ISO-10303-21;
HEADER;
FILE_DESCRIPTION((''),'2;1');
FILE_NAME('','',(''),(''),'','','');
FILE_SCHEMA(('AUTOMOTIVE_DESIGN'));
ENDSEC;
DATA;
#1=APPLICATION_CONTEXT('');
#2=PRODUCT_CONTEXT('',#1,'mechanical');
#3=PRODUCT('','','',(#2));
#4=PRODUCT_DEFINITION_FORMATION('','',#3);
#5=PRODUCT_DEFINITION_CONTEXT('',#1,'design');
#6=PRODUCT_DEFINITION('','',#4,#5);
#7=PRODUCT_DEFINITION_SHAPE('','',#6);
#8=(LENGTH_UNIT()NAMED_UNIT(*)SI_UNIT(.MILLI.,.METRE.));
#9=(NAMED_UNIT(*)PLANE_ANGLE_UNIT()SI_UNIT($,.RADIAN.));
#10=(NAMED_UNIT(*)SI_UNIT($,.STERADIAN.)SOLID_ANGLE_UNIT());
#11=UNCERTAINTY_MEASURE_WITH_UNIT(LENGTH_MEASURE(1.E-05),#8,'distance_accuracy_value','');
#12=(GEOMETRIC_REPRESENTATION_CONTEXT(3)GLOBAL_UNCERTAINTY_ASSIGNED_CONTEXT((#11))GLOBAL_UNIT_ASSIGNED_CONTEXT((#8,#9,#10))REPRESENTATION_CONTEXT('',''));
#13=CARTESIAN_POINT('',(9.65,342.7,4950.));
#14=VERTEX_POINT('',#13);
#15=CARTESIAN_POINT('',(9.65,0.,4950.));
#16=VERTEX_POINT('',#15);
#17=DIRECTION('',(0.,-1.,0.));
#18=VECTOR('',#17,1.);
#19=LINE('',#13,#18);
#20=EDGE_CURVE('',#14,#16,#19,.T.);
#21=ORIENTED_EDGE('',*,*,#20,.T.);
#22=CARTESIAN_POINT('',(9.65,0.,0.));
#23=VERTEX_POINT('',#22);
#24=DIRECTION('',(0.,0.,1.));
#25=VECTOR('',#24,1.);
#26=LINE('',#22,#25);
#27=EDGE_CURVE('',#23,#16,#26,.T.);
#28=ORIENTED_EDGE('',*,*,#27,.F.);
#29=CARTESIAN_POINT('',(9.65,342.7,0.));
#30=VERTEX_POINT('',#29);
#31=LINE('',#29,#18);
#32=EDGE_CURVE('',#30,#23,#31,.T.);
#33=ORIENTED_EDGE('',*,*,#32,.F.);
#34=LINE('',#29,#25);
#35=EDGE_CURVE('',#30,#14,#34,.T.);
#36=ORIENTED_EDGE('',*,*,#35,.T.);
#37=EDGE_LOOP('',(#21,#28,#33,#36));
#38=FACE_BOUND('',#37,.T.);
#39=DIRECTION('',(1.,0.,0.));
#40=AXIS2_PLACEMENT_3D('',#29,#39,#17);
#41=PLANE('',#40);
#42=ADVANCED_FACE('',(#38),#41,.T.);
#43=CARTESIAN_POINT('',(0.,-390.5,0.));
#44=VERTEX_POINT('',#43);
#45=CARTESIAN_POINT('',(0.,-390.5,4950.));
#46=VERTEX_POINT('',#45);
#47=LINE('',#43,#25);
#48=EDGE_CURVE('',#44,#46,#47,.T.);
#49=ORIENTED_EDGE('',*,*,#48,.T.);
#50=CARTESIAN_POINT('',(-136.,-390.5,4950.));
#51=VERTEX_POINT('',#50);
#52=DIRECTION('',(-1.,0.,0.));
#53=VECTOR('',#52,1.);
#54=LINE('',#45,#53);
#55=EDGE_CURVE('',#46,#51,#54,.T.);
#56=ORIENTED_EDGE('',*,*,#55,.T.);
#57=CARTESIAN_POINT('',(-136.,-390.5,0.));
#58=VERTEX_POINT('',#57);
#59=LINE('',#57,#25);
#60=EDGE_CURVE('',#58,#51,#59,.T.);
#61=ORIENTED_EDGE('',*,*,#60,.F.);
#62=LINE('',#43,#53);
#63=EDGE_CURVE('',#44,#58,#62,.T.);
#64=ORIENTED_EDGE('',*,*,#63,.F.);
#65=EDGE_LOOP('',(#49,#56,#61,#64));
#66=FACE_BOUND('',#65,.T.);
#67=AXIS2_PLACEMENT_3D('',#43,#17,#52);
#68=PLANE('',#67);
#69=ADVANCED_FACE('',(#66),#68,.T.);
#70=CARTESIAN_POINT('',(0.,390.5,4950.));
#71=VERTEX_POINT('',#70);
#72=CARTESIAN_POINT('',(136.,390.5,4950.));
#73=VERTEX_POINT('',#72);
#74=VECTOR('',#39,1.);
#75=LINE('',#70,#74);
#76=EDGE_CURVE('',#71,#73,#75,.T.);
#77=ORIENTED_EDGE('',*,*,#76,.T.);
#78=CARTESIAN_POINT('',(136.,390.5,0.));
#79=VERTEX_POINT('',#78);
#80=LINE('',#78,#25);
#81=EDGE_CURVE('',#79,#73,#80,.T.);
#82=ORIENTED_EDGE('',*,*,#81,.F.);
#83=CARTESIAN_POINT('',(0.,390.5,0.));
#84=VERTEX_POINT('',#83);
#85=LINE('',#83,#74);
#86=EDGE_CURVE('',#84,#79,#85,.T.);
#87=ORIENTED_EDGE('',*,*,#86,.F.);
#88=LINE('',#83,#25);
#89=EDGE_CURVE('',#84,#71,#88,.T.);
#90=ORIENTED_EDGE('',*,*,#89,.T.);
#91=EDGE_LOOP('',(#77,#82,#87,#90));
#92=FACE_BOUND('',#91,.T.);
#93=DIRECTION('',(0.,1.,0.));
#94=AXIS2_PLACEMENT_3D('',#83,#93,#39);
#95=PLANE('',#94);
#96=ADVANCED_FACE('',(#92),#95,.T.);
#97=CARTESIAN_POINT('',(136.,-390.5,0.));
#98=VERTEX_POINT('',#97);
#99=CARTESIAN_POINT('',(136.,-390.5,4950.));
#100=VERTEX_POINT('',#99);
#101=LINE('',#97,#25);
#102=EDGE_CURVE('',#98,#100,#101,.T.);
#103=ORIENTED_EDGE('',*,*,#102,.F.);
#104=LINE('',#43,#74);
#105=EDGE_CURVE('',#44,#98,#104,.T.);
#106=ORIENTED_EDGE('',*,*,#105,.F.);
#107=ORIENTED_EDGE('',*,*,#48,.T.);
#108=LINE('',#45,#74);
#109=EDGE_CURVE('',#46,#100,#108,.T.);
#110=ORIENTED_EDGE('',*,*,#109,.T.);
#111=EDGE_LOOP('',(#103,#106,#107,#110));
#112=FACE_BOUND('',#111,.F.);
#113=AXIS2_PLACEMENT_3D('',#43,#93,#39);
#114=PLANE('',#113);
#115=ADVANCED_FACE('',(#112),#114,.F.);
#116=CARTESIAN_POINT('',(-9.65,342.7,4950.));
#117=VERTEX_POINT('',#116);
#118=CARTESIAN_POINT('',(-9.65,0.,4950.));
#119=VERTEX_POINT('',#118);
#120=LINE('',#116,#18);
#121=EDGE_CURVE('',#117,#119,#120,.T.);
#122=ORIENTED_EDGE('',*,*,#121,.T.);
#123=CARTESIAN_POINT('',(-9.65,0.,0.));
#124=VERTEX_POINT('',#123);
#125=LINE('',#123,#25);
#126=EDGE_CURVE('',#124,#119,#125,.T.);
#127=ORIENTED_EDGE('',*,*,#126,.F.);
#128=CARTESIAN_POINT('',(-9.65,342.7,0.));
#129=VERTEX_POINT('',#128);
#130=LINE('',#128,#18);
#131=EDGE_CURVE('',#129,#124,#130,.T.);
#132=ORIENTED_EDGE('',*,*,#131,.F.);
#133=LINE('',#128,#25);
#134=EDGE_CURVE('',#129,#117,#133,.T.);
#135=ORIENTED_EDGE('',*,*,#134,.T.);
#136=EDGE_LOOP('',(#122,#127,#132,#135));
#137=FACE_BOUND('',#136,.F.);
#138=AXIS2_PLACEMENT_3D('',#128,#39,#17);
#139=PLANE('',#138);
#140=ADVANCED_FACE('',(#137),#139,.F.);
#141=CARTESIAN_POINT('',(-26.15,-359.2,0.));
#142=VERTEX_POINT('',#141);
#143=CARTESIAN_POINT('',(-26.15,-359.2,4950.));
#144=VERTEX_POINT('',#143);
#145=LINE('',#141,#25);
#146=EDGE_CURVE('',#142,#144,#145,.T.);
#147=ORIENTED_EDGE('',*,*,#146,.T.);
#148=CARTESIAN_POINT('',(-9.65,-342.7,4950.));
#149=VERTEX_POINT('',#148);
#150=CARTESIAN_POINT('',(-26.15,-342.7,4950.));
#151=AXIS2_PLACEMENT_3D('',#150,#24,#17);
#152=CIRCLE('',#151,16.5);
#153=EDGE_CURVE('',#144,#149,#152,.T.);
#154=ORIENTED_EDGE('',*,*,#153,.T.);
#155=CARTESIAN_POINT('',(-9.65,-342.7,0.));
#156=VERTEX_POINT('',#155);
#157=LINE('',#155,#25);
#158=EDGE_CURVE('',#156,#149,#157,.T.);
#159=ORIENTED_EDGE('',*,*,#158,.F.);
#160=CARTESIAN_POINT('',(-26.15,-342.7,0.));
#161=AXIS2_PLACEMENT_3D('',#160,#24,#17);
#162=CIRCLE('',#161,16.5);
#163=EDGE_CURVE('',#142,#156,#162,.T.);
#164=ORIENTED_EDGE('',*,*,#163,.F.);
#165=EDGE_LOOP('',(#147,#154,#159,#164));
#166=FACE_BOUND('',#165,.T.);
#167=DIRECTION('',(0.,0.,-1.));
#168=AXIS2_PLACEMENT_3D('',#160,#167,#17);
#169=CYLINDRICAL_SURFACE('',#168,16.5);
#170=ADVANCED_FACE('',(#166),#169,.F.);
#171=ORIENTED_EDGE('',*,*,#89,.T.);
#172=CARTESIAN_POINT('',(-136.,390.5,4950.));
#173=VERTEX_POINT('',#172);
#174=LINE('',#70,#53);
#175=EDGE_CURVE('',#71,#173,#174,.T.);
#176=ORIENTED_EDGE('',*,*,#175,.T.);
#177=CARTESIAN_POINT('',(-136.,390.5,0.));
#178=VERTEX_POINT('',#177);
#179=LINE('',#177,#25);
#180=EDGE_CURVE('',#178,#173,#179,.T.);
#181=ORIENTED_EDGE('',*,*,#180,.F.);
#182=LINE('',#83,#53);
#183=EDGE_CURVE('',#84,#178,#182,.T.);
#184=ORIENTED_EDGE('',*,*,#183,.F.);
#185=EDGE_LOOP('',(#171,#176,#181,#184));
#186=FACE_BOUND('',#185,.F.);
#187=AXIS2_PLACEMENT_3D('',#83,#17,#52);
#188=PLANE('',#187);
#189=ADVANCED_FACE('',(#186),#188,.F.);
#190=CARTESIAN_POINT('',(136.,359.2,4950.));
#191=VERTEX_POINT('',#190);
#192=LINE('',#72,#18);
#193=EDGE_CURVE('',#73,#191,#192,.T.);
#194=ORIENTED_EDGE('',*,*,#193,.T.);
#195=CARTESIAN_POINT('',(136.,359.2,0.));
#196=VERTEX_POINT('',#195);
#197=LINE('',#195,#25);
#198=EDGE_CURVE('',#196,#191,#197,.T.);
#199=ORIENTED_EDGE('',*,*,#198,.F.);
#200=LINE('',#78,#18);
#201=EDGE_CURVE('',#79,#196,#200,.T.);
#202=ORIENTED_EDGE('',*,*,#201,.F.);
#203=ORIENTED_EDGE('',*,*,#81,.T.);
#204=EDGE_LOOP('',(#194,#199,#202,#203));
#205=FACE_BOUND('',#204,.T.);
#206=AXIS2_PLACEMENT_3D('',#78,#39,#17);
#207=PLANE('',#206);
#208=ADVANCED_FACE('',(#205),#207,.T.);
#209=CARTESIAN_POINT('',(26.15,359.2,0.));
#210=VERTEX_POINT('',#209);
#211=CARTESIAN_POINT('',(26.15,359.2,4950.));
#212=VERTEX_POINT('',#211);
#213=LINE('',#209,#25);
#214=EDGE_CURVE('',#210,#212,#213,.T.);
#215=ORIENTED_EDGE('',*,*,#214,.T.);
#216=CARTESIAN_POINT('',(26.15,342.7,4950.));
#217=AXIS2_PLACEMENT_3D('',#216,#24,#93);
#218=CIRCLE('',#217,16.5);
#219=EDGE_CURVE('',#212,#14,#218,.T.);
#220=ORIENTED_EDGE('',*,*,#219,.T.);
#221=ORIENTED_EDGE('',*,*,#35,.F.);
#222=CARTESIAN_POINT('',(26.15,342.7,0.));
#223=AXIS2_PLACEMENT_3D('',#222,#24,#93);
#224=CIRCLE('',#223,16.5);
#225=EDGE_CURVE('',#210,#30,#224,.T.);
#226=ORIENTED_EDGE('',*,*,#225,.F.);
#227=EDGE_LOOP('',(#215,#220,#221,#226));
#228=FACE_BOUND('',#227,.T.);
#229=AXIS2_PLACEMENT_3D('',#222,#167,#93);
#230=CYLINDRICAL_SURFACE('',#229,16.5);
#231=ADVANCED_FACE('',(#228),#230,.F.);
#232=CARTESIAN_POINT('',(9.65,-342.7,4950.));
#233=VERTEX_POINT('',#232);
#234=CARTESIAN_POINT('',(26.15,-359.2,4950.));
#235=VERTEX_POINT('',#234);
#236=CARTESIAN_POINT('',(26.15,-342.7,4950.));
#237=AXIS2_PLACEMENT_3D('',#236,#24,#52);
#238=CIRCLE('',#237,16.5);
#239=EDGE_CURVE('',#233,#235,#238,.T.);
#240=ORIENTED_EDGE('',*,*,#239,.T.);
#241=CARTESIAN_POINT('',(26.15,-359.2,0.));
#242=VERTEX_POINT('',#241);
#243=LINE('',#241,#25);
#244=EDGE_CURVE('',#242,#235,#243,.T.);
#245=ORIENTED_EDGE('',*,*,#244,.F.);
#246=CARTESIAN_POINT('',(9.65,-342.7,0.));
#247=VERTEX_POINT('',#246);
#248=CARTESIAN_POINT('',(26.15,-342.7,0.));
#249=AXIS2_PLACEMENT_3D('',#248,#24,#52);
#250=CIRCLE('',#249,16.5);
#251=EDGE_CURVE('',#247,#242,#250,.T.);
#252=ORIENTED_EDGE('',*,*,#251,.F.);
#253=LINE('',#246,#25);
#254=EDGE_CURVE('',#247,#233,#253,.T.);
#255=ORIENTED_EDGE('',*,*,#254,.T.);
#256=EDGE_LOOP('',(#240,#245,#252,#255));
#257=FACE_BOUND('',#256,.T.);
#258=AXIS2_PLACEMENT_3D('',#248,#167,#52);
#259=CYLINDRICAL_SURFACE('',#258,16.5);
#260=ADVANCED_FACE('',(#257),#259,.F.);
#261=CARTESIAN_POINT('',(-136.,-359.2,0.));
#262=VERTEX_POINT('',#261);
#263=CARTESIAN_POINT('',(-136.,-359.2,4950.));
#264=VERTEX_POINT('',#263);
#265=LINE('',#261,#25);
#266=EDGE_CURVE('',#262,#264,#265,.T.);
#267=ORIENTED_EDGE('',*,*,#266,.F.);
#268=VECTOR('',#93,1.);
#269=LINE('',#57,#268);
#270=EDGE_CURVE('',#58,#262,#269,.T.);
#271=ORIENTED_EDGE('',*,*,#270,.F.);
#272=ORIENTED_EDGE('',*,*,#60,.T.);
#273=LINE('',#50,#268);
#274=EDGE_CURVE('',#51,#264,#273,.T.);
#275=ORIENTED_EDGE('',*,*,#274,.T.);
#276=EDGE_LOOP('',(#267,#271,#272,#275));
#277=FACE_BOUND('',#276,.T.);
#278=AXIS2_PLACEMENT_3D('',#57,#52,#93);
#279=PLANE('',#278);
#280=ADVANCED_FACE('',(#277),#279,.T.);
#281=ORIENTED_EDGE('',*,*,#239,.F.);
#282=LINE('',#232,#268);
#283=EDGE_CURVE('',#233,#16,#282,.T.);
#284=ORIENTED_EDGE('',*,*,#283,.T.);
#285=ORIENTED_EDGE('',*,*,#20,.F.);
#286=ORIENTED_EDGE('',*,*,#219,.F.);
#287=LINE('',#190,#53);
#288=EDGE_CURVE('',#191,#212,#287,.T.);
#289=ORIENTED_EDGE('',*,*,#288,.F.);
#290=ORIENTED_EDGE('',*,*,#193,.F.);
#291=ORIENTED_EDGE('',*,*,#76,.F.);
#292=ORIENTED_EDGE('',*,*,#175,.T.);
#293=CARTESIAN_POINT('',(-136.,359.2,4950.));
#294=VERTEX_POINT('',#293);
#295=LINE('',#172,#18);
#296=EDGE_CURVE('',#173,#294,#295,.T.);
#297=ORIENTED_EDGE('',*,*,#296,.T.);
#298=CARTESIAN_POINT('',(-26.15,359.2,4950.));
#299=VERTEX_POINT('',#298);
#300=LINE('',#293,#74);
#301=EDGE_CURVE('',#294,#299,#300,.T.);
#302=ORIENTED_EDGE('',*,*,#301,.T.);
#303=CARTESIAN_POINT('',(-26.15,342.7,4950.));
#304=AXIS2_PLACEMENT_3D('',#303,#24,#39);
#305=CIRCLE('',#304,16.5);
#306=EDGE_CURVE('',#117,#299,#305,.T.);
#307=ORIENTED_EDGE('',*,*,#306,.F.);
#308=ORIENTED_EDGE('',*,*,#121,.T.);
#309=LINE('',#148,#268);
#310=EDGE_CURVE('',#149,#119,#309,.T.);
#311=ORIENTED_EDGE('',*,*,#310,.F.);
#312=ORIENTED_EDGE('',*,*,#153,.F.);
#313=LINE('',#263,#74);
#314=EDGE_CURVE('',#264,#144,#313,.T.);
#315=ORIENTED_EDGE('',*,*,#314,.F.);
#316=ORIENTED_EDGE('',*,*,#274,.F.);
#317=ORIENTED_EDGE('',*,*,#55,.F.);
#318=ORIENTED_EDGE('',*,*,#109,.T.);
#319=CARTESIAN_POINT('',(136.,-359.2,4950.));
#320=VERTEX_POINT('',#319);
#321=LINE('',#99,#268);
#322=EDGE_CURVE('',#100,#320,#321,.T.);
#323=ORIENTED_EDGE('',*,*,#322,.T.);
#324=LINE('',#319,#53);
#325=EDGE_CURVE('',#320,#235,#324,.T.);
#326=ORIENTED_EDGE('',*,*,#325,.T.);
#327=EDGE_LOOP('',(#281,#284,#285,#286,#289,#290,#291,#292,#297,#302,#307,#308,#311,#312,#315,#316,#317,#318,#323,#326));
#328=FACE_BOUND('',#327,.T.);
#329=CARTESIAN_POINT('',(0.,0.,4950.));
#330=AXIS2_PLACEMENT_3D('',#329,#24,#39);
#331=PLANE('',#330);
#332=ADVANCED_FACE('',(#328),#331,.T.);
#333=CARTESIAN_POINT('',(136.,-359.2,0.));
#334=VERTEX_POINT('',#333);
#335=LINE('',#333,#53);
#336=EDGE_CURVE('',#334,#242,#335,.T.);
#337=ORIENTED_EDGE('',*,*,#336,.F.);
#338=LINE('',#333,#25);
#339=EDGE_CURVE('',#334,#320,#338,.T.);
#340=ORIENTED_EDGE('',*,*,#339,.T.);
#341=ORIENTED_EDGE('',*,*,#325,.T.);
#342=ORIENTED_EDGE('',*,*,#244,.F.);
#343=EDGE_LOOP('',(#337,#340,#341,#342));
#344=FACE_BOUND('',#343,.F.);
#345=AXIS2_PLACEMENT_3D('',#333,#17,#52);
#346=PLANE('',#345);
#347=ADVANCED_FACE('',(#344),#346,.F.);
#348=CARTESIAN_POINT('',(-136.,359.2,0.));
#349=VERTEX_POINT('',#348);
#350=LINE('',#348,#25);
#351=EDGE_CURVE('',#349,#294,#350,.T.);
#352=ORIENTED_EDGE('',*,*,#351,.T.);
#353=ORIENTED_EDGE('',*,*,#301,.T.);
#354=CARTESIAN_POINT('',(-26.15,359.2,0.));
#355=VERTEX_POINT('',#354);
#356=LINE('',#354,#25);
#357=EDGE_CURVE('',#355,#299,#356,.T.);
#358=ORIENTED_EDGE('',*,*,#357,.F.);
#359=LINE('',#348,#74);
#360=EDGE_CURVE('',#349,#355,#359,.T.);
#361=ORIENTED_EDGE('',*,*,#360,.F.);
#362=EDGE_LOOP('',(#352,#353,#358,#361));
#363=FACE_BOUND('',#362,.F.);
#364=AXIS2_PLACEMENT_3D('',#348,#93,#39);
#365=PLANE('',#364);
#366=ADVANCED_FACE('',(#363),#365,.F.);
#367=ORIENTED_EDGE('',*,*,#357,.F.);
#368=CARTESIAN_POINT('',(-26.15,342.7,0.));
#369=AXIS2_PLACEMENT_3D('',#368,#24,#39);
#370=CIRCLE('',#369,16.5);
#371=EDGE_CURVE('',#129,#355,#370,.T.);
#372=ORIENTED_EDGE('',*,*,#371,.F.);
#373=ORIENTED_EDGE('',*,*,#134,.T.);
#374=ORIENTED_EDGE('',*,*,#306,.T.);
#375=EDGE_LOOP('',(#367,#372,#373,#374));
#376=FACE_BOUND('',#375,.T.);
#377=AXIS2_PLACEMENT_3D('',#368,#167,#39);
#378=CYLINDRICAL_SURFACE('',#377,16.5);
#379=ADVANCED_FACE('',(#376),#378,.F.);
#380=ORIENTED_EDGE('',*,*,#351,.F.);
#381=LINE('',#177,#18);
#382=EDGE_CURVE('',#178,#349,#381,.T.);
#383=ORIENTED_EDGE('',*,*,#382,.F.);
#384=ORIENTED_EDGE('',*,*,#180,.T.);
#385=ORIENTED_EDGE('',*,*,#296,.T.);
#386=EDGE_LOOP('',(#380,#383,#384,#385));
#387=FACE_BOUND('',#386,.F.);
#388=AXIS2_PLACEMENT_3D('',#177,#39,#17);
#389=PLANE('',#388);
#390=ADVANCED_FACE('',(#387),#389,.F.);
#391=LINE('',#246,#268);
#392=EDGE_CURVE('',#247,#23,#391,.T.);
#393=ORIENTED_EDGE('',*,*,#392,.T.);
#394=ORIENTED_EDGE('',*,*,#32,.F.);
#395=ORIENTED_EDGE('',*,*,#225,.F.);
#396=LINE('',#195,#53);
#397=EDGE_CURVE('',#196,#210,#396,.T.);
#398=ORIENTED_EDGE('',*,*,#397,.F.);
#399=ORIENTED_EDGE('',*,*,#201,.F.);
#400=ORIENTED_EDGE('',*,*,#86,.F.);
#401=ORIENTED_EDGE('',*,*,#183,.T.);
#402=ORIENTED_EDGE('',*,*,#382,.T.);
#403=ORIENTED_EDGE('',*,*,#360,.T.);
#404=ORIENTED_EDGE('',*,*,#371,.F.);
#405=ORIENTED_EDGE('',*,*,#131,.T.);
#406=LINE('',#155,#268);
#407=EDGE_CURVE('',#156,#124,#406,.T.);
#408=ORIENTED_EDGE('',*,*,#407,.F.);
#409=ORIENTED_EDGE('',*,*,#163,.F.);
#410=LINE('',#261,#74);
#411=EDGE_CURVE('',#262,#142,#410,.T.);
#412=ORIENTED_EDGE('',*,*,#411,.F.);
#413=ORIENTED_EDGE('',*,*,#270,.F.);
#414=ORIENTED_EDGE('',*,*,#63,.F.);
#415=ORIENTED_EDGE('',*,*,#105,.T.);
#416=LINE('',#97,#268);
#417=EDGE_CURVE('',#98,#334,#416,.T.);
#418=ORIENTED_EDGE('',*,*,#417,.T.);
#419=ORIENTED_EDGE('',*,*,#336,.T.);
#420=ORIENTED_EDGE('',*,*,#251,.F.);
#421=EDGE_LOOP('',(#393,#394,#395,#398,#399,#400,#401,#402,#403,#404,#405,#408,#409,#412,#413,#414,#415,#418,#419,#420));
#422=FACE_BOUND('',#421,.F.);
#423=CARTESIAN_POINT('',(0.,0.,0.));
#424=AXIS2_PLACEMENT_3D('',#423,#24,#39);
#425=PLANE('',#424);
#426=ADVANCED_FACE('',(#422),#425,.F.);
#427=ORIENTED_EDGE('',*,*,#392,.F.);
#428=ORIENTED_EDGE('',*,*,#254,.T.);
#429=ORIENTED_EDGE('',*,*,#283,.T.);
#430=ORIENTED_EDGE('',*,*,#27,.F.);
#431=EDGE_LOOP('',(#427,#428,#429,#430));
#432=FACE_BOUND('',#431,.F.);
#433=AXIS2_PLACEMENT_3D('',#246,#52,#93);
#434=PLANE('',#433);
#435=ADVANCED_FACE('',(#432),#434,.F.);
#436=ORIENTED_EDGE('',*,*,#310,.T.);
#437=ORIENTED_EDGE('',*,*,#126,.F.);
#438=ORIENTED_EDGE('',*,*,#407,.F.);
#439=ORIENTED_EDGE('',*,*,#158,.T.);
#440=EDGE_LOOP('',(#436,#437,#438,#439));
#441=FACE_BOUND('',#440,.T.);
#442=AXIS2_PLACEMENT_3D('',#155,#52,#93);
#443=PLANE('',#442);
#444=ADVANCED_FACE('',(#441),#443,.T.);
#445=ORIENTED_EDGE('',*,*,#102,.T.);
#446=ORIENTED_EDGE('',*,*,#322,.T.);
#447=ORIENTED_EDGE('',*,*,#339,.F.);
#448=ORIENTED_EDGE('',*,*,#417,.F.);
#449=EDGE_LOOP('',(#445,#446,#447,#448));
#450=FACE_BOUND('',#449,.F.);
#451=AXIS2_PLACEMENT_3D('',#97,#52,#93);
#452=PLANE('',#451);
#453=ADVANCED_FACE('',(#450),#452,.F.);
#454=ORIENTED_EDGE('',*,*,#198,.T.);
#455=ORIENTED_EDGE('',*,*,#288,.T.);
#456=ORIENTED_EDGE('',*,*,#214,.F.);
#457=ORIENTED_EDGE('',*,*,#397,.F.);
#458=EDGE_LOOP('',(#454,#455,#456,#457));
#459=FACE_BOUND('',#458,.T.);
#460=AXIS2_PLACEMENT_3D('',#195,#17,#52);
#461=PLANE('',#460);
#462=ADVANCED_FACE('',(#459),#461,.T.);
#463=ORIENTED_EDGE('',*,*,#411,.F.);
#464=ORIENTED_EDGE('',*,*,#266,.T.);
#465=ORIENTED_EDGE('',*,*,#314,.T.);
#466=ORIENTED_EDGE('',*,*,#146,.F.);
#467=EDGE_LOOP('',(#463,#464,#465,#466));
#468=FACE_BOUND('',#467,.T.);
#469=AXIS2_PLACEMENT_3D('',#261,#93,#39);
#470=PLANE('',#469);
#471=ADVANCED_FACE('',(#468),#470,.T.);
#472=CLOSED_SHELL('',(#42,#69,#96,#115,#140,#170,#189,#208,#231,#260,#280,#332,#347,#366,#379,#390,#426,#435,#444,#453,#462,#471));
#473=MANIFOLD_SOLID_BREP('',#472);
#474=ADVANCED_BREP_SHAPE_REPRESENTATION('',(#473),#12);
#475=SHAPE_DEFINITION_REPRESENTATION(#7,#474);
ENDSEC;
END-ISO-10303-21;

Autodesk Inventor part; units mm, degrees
ref_plane "YZ Plane" through (0, 0, 0) normal (1, 0, 0) x (0, 1, 0)
ref_plane "Start plane" through (0, 0, 0) normal (0, 0, 1) x (1, 0, 0)
ref_plane "End plane" through (0, 0, 4950) normal (0, 0, 1) x (1, 0, 0)
sketch "Sketch" plane through (0, 0, 0) normal (0, 0, 1) x (1, 0, 0)
  line L0 (-136, -390.5) -> (-136, -359.2)
  line L1 (-136, -359.2) -> (-26.15, -359.2)
  line L2 (-9.65, -342.7) -> (-9.65, 0)
  line L3 (-9.65, 0) -> (0, 0) construction
  line L4 (0, 0) -> (0, -390.5) construction
  line L5 (0, -390.5) -> (-136, -390.5)
  line L6 (-60, 0) -> (80, 0) construction
  line L7 (0, -60) -> (0, 80) construction
  line L8 (136, -390.5) -> (136, -359.2)
  line L9 (136, -359.2) -> (26.15, -359.2)
  line L10 (9.65, -342.7) -> (9.65, 0)
  line L11 (9.65, 0) -> (0, 0) construction
  line L12 (0, -390.5) -> (136, -390.5)
  line L13 (-136, 390.5) -> (-136, 359.2)
  line L14 (-136, 359.2) -> (-26.15, 359.2)
  line L15 (-9.65, 342.7) -> (-9.65, 0)
  line L16 (0, 390.5) -> (-136, 390.5)
  line L17 (136, 390.5) -> (136, 359.2)
  line L18 (136, 359.2) -> (26.15, 359.2)
  line L19 (0, 390.5) -> (136, 390.5)
  line L20 (9.65, 342.7) -> (9.65, 0)
  arc A0 (-9.65, 342.7) -> (-26.15, 359.2) centre (-26.15, 342.7) ccw
  arc A1 (26.15, 359.2) -> (9.65, 342.7) centre (26.15, 342.7) ccw
  arc A2 (9.65, -342.7) -> (26.15, -359.2) centre (26.15, -342.7) ccw
  arc A3 (-26.15, -359.2) -> (-9.65, -342.7) centre (-26.15, -342.7) ccw
  line L21 (0, 108) -> (0, -88) construction
  line L22 (-88, 0) -> (108, 0) construction
  point P0 (-9.65, -359.2)
  point P1 (9.65, -359.2)
  point P2 (-9.65, 359.2)
  point P3 (9.65, 359.2)
  dimension "d1" = 390.5
  dimension "d2" = 31.3
  dimension "d3" = 136
  dimension "d4" = 9.65
  dimension "d10" = 16.5
extrude "Body" add sketch "Sketch" along normal up to surface (4950 mm away) from surface at 0
sketch "Sketch4" plane through (0, 0, 0) normal (0, 0, 1) x (1, 0, 0)
  line L0 (0, 0) -> (10, 0)
ref_plane "Work Plane3" through (0, 0, 0) normal (0, -1, 0) x (1, 0, 0)
sketch "Sketch5" plane through (0, 0, 0) normal (0, -1, 0) x (1, 0, 0)
  line L0 (-2, 0) -> (12, 0) projected
  line L1 (-2, 4950) -> (12, 4950) projected
  dimension "d14" = 4950
equation "\"d1\" = 0.5 * G_H"
equation "\"d2\" = G_T1"
equation "\"d3\" = 0.5 * G_W"
equation "\"d4\" = 0.5 * G_T"
equation "\"d10\" = G_IR"
equation "\"d5\" = G_L"
equation "\"G_W\" = 272"
equation "\"G_H\" = 781"
equation "\"G_T\" = 19.3"
equation "\"G_T1\" = 31.3"
equation "\"G_IR\" = 16.5"
equation "\"G_L\" = d14"
equation "\"G_OFFSET_START\" = 0"
equation "\"G_OFFSET_END\" = 0"
properties part number "AS 3679-1990 - 760 UB - 244 - 4950" material "Steel, Mild"
